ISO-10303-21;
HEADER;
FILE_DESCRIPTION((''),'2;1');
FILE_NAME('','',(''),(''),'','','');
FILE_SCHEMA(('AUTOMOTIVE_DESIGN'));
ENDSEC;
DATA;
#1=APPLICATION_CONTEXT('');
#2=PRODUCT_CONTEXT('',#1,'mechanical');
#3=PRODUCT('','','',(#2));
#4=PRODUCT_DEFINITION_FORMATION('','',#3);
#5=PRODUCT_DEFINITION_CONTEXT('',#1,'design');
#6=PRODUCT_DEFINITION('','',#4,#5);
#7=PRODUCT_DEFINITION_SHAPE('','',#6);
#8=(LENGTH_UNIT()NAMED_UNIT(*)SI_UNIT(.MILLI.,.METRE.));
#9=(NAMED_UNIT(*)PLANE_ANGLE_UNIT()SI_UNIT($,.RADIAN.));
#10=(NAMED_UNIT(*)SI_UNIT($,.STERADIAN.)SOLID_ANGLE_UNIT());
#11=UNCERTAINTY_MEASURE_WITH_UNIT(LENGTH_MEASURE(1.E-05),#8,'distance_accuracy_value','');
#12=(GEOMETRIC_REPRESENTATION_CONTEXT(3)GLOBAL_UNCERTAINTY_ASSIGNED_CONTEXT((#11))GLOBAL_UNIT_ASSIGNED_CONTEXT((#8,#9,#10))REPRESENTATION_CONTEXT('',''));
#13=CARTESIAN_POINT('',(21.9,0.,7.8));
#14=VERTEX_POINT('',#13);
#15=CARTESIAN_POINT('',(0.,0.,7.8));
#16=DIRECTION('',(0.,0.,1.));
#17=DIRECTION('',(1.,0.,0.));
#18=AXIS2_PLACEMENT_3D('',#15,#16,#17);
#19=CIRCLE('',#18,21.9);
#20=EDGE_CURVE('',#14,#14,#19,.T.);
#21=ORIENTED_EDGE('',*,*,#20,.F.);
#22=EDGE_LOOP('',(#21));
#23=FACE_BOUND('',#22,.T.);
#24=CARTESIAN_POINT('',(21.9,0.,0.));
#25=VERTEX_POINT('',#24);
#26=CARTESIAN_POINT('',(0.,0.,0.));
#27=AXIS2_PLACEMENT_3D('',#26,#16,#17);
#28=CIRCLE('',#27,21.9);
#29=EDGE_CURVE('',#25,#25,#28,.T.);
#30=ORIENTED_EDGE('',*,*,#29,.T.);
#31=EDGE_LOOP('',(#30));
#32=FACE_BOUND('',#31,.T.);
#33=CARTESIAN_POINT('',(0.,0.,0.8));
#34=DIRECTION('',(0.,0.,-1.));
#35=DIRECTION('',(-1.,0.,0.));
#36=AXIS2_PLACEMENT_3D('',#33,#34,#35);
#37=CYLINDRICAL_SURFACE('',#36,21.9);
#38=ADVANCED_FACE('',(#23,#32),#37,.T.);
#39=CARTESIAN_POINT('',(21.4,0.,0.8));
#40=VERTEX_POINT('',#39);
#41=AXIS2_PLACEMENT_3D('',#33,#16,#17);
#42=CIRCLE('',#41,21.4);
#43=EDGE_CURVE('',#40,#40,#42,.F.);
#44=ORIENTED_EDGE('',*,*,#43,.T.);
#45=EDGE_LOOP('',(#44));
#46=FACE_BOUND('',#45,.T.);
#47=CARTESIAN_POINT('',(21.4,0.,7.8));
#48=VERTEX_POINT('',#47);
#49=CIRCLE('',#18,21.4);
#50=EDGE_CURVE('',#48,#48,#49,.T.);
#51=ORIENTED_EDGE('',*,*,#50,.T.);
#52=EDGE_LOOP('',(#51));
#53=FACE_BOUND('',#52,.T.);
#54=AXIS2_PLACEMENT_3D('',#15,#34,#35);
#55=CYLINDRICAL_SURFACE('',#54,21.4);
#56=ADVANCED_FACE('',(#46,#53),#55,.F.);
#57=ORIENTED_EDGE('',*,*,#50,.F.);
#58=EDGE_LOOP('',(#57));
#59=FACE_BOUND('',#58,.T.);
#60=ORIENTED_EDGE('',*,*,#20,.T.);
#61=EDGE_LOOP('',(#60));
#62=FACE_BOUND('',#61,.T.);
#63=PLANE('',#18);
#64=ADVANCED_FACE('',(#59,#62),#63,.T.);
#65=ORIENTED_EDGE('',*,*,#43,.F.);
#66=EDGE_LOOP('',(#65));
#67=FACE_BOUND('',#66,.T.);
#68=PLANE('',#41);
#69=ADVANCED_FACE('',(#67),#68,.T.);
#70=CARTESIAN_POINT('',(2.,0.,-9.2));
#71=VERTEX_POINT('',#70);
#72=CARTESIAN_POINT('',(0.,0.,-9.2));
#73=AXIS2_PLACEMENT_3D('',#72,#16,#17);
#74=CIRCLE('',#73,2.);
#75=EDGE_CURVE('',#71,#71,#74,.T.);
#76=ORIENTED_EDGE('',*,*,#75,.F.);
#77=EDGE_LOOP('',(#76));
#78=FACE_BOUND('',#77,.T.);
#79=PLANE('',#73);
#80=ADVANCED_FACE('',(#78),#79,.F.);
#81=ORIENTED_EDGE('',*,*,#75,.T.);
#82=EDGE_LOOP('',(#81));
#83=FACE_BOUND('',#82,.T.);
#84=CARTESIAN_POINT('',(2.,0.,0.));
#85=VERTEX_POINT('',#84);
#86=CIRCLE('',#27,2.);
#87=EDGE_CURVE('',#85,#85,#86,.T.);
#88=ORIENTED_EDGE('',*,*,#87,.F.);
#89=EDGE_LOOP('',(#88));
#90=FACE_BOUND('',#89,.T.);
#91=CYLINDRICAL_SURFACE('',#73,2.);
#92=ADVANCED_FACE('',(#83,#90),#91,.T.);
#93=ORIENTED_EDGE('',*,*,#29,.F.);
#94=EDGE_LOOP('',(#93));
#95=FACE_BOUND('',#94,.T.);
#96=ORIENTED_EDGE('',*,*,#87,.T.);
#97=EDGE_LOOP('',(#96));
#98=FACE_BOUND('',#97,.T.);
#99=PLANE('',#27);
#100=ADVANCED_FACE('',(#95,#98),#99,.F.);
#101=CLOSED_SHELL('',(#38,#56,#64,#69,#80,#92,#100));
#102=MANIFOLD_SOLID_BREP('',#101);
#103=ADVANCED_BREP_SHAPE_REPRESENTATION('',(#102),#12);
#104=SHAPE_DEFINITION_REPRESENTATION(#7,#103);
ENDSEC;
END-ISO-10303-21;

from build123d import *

# Parameters (mm, degrees)
SKETCH1_R      = 21.9
EXTRUDE1_DEPTH = 0.8
SKETCH2_R      = 21.9
SKETCH2_R_2    = 21.4
EXTRUDE2_DEPTH = 7
SKETCH4_R      = 2
EXTRUDE4_DEPTH = 10


with BuildPart() as part:
    # Sketch1 → Extrude1 (new body)
    with BuildSketch(Plane.XY):
        Circle(SKETCH1_R)
    extrude(amount=EXTRUDE1_DEPTH)

    # Sketch2 → Extrude2 (add)
    with BuildSketch(Plane.XY.offset(0.8)):
        Circle(SKETCH2_R)
        Circle(SKETCH2_R_2, mode=Mode.SUBTRACT)
    extrude(amount=EXTRUDE2_DEPTH)

    # Sketch4 → Extrude4 (add)
    with BuildSketch(Plane.XY.offset(0.8)):
        Circle(SKETCH4_R)
    extrude(amount=-EXTRUDE4_DEPTH)


solid = part.part
